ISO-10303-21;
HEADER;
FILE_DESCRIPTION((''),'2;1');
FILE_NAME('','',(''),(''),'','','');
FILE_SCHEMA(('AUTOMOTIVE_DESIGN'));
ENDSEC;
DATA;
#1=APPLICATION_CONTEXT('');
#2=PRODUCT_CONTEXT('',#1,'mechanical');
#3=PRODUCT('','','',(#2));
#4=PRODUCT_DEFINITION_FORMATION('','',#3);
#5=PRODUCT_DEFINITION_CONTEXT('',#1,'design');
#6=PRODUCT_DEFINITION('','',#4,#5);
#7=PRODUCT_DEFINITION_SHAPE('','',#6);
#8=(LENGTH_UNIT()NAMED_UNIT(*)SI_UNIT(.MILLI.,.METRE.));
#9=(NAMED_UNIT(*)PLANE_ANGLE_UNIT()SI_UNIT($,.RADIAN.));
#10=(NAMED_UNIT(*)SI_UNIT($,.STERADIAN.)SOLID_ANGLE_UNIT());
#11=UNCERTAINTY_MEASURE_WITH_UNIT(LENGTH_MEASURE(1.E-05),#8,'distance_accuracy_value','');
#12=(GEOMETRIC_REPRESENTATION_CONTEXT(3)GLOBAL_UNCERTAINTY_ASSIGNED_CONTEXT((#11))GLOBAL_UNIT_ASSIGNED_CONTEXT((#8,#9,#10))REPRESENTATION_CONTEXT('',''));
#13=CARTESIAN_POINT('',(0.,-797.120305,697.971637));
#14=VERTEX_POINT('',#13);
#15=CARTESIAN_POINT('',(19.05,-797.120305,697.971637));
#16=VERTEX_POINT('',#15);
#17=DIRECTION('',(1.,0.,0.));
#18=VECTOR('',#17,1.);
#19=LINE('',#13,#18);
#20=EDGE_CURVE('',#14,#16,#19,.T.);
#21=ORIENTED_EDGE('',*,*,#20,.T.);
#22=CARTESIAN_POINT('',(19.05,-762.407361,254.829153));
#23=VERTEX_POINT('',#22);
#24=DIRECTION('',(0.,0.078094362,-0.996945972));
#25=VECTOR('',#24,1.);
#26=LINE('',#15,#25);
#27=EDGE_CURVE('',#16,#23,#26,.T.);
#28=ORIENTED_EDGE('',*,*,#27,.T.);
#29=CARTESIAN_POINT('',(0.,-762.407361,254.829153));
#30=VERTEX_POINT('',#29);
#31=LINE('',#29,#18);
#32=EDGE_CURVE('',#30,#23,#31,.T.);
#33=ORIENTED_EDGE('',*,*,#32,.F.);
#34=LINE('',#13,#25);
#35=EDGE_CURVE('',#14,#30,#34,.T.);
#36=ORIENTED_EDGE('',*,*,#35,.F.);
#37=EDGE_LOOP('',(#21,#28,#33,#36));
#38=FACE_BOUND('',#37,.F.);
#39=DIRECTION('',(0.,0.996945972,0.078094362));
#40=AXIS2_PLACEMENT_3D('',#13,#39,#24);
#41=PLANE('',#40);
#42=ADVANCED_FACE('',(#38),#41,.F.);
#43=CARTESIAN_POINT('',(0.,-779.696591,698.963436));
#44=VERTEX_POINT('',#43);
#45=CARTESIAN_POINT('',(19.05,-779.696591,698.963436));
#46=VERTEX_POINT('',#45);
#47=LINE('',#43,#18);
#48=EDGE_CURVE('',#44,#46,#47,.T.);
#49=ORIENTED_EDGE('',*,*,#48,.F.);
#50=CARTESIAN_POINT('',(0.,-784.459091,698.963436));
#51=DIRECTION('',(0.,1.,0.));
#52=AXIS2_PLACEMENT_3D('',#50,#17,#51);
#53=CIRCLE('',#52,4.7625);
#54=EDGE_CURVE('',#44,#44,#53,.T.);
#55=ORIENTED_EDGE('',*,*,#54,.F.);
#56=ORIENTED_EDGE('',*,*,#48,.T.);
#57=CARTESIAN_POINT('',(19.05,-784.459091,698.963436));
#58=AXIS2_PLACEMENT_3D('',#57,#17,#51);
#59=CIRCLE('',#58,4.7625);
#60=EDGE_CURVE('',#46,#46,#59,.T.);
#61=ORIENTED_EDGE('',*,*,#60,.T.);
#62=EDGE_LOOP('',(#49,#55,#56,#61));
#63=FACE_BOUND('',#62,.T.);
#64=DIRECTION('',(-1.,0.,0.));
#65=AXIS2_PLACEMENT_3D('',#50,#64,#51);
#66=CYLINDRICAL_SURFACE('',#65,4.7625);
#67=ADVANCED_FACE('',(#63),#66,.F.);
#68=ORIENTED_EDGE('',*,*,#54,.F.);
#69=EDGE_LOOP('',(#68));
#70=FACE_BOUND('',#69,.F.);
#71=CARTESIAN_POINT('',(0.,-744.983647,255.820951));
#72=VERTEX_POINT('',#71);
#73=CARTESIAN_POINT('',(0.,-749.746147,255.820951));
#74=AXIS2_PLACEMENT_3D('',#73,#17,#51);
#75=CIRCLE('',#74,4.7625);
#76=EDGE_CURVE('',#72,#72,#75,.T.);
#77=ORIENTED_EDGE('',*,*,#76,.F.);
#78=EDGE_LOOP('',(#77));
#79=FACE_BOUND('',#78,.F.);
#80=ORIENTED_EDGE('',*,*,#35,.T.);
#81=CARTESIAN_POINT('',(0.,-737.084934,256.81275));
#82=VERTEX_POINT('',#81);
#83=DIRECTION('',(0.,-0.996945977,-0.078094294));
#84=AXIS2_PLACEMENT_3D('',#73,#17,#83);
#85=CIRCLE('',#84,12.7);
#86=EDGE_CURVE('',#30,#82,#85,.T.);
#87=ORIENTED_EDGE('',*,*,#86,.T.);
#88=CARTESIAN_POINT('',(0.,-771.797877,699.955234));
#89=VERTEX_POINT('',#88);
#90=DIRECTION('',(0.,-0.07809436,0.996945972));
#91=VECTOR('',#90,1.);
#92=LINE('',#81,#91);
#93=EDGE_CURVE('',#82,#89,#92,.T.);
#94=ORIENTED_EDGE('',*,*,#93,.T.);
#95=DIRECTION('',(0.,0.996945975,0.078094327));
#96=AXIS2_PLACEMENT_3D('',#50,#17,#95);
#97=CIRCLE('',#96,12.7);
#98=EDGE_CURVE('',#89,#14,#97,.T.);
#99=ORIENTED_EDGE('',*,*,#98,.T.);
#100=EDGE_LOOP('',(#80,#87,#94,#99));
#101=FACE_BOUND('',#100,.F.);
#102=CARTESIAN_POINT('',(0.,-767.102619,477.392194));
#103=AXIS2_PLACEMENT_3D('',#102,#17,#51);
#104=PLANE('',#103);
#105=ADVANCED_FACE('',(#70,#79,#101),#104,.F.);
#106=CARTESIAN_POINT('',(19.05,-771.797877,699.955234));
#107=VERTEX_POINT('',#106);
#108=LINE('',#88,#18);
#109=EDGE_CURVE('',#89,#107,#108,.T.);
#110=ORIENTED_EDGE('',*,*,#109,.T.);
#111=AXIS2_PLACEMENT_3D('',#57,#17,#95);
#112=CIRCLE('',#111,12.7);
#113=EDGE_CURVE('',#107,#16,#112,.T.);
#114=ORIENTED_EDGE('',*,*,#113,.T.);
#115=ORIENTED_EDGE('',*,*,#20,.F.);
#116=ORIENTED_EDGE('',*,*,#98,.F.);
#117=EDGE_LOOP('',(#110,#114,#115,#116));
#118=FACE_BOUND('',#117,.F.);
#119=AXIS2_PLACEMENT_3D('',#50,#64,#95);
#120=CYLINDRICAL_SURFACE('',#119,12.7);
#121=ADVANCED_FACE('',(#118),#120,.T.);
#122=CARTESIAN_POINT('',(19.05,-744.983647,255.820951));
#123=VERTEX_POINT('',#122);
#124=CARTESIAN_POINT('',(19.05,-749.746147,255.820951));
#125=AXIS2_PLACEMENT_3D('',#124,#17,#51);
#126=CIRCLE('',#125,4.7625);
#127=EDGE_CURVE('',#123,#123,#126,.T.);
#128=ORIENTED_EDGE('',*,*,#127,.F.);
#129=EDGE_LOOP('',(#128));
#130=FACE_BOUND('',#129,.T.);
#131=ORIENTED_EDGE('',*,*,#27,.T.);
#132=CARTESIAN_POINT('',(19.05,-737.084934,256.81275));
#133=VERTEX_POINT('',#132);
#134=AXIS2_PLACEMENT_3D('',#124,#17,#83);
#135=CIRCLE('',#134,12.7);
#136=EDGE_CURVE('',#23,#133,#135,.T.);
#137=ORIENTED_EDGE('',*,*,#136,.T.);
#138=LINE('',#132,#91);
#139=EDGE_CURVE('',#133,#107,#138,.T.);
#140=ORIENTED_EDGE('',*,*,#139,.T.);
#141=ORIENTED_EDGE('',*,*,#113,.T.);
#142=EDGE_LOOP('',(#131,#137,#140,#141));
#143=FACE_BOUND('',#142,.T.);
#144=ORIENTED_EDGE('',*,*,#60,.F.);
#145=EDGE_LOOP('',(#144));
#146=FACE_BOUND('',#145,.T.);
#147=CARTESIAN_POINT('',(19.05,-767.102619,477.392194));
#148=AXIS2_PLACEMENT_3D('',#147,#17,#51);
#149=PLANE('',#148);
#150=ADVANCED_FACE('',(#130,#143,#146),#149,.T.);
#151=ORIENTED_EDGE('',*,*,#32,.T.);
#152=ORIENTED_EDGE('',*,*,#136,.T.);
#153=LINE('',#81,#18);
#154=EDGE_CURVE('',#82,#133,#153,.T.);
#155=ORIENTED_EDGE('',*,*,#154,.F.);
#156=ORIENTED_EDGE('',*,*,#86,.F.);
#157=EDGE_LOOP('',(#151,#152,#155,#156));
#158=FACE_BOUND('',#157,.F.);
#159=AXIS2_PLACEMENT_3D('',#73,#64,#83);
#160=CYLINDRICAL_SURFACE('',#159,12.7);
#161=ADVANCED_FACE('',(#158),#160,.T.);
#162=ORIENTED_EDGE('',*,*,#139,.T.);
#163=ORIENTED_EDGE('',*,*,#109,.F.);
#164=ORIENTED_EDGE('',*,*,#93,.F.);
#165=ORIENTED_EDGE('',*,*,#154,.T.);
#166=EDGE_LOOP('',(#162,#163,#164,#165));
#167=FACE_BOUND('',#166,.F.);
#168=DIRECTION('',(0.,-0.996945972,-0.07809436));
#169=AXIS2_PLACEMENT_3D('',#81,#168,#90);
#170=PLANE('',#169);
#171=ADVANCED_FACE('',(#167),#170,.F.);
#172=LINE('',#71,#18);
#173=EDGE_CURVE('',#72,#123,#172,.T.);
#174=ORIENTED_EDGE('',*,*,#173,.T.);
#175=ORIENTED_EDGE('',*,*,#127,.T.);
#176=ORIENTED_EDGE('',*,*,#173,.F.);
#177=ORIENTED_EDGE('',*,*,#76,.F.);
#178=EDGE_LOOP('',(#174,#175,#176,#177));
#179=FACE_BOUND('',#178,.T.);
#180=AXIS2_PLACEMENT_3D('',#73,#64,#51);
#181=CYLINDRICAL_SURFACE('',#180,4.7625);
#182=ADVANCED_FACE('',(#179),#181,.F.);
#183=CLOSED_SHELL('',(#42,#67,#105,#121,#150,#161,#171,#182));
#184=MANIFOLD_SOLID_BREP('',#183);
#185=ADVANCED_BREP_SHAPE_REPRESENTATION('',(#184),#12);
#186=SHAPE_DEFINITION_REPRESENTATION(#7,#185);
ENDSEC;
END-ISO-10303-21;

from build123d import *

# Parameters (mm, degrees)
F2_R     = 4.7625
F3_DEPTH = 19.05


with BuildPart() as f3:
    # F2 (on Right) → F3 (new body)
    with BuildSketch(Plane.YZ):
        with BuildLine():
            ThreePointArc((-771.797877, 699.955234), (-785.45089, 711.62465), (-797.120305, 697.971637))
            Line((-797.120305, 697.971637), (-762.407361, 254.829153))
            ThreePointArc((-762.407361, 254.829153), (-748.754349, 243.159737), (-737.084934, 256.81275))
            Line((-737.084934, 256.81275), (-771.797877, 699.955234))
        make_face()
        with Locations((-749.746147, 255.820951)):
            Circle(F2_R, mode=Mode.SUBTRACT)
        with Locations((-784.459091, 698.963436)):
            Circle(F2_R, mode=Mode.SUBTRACT)
    extrude(amount=F3_DEPTH)


solid = f3.part
